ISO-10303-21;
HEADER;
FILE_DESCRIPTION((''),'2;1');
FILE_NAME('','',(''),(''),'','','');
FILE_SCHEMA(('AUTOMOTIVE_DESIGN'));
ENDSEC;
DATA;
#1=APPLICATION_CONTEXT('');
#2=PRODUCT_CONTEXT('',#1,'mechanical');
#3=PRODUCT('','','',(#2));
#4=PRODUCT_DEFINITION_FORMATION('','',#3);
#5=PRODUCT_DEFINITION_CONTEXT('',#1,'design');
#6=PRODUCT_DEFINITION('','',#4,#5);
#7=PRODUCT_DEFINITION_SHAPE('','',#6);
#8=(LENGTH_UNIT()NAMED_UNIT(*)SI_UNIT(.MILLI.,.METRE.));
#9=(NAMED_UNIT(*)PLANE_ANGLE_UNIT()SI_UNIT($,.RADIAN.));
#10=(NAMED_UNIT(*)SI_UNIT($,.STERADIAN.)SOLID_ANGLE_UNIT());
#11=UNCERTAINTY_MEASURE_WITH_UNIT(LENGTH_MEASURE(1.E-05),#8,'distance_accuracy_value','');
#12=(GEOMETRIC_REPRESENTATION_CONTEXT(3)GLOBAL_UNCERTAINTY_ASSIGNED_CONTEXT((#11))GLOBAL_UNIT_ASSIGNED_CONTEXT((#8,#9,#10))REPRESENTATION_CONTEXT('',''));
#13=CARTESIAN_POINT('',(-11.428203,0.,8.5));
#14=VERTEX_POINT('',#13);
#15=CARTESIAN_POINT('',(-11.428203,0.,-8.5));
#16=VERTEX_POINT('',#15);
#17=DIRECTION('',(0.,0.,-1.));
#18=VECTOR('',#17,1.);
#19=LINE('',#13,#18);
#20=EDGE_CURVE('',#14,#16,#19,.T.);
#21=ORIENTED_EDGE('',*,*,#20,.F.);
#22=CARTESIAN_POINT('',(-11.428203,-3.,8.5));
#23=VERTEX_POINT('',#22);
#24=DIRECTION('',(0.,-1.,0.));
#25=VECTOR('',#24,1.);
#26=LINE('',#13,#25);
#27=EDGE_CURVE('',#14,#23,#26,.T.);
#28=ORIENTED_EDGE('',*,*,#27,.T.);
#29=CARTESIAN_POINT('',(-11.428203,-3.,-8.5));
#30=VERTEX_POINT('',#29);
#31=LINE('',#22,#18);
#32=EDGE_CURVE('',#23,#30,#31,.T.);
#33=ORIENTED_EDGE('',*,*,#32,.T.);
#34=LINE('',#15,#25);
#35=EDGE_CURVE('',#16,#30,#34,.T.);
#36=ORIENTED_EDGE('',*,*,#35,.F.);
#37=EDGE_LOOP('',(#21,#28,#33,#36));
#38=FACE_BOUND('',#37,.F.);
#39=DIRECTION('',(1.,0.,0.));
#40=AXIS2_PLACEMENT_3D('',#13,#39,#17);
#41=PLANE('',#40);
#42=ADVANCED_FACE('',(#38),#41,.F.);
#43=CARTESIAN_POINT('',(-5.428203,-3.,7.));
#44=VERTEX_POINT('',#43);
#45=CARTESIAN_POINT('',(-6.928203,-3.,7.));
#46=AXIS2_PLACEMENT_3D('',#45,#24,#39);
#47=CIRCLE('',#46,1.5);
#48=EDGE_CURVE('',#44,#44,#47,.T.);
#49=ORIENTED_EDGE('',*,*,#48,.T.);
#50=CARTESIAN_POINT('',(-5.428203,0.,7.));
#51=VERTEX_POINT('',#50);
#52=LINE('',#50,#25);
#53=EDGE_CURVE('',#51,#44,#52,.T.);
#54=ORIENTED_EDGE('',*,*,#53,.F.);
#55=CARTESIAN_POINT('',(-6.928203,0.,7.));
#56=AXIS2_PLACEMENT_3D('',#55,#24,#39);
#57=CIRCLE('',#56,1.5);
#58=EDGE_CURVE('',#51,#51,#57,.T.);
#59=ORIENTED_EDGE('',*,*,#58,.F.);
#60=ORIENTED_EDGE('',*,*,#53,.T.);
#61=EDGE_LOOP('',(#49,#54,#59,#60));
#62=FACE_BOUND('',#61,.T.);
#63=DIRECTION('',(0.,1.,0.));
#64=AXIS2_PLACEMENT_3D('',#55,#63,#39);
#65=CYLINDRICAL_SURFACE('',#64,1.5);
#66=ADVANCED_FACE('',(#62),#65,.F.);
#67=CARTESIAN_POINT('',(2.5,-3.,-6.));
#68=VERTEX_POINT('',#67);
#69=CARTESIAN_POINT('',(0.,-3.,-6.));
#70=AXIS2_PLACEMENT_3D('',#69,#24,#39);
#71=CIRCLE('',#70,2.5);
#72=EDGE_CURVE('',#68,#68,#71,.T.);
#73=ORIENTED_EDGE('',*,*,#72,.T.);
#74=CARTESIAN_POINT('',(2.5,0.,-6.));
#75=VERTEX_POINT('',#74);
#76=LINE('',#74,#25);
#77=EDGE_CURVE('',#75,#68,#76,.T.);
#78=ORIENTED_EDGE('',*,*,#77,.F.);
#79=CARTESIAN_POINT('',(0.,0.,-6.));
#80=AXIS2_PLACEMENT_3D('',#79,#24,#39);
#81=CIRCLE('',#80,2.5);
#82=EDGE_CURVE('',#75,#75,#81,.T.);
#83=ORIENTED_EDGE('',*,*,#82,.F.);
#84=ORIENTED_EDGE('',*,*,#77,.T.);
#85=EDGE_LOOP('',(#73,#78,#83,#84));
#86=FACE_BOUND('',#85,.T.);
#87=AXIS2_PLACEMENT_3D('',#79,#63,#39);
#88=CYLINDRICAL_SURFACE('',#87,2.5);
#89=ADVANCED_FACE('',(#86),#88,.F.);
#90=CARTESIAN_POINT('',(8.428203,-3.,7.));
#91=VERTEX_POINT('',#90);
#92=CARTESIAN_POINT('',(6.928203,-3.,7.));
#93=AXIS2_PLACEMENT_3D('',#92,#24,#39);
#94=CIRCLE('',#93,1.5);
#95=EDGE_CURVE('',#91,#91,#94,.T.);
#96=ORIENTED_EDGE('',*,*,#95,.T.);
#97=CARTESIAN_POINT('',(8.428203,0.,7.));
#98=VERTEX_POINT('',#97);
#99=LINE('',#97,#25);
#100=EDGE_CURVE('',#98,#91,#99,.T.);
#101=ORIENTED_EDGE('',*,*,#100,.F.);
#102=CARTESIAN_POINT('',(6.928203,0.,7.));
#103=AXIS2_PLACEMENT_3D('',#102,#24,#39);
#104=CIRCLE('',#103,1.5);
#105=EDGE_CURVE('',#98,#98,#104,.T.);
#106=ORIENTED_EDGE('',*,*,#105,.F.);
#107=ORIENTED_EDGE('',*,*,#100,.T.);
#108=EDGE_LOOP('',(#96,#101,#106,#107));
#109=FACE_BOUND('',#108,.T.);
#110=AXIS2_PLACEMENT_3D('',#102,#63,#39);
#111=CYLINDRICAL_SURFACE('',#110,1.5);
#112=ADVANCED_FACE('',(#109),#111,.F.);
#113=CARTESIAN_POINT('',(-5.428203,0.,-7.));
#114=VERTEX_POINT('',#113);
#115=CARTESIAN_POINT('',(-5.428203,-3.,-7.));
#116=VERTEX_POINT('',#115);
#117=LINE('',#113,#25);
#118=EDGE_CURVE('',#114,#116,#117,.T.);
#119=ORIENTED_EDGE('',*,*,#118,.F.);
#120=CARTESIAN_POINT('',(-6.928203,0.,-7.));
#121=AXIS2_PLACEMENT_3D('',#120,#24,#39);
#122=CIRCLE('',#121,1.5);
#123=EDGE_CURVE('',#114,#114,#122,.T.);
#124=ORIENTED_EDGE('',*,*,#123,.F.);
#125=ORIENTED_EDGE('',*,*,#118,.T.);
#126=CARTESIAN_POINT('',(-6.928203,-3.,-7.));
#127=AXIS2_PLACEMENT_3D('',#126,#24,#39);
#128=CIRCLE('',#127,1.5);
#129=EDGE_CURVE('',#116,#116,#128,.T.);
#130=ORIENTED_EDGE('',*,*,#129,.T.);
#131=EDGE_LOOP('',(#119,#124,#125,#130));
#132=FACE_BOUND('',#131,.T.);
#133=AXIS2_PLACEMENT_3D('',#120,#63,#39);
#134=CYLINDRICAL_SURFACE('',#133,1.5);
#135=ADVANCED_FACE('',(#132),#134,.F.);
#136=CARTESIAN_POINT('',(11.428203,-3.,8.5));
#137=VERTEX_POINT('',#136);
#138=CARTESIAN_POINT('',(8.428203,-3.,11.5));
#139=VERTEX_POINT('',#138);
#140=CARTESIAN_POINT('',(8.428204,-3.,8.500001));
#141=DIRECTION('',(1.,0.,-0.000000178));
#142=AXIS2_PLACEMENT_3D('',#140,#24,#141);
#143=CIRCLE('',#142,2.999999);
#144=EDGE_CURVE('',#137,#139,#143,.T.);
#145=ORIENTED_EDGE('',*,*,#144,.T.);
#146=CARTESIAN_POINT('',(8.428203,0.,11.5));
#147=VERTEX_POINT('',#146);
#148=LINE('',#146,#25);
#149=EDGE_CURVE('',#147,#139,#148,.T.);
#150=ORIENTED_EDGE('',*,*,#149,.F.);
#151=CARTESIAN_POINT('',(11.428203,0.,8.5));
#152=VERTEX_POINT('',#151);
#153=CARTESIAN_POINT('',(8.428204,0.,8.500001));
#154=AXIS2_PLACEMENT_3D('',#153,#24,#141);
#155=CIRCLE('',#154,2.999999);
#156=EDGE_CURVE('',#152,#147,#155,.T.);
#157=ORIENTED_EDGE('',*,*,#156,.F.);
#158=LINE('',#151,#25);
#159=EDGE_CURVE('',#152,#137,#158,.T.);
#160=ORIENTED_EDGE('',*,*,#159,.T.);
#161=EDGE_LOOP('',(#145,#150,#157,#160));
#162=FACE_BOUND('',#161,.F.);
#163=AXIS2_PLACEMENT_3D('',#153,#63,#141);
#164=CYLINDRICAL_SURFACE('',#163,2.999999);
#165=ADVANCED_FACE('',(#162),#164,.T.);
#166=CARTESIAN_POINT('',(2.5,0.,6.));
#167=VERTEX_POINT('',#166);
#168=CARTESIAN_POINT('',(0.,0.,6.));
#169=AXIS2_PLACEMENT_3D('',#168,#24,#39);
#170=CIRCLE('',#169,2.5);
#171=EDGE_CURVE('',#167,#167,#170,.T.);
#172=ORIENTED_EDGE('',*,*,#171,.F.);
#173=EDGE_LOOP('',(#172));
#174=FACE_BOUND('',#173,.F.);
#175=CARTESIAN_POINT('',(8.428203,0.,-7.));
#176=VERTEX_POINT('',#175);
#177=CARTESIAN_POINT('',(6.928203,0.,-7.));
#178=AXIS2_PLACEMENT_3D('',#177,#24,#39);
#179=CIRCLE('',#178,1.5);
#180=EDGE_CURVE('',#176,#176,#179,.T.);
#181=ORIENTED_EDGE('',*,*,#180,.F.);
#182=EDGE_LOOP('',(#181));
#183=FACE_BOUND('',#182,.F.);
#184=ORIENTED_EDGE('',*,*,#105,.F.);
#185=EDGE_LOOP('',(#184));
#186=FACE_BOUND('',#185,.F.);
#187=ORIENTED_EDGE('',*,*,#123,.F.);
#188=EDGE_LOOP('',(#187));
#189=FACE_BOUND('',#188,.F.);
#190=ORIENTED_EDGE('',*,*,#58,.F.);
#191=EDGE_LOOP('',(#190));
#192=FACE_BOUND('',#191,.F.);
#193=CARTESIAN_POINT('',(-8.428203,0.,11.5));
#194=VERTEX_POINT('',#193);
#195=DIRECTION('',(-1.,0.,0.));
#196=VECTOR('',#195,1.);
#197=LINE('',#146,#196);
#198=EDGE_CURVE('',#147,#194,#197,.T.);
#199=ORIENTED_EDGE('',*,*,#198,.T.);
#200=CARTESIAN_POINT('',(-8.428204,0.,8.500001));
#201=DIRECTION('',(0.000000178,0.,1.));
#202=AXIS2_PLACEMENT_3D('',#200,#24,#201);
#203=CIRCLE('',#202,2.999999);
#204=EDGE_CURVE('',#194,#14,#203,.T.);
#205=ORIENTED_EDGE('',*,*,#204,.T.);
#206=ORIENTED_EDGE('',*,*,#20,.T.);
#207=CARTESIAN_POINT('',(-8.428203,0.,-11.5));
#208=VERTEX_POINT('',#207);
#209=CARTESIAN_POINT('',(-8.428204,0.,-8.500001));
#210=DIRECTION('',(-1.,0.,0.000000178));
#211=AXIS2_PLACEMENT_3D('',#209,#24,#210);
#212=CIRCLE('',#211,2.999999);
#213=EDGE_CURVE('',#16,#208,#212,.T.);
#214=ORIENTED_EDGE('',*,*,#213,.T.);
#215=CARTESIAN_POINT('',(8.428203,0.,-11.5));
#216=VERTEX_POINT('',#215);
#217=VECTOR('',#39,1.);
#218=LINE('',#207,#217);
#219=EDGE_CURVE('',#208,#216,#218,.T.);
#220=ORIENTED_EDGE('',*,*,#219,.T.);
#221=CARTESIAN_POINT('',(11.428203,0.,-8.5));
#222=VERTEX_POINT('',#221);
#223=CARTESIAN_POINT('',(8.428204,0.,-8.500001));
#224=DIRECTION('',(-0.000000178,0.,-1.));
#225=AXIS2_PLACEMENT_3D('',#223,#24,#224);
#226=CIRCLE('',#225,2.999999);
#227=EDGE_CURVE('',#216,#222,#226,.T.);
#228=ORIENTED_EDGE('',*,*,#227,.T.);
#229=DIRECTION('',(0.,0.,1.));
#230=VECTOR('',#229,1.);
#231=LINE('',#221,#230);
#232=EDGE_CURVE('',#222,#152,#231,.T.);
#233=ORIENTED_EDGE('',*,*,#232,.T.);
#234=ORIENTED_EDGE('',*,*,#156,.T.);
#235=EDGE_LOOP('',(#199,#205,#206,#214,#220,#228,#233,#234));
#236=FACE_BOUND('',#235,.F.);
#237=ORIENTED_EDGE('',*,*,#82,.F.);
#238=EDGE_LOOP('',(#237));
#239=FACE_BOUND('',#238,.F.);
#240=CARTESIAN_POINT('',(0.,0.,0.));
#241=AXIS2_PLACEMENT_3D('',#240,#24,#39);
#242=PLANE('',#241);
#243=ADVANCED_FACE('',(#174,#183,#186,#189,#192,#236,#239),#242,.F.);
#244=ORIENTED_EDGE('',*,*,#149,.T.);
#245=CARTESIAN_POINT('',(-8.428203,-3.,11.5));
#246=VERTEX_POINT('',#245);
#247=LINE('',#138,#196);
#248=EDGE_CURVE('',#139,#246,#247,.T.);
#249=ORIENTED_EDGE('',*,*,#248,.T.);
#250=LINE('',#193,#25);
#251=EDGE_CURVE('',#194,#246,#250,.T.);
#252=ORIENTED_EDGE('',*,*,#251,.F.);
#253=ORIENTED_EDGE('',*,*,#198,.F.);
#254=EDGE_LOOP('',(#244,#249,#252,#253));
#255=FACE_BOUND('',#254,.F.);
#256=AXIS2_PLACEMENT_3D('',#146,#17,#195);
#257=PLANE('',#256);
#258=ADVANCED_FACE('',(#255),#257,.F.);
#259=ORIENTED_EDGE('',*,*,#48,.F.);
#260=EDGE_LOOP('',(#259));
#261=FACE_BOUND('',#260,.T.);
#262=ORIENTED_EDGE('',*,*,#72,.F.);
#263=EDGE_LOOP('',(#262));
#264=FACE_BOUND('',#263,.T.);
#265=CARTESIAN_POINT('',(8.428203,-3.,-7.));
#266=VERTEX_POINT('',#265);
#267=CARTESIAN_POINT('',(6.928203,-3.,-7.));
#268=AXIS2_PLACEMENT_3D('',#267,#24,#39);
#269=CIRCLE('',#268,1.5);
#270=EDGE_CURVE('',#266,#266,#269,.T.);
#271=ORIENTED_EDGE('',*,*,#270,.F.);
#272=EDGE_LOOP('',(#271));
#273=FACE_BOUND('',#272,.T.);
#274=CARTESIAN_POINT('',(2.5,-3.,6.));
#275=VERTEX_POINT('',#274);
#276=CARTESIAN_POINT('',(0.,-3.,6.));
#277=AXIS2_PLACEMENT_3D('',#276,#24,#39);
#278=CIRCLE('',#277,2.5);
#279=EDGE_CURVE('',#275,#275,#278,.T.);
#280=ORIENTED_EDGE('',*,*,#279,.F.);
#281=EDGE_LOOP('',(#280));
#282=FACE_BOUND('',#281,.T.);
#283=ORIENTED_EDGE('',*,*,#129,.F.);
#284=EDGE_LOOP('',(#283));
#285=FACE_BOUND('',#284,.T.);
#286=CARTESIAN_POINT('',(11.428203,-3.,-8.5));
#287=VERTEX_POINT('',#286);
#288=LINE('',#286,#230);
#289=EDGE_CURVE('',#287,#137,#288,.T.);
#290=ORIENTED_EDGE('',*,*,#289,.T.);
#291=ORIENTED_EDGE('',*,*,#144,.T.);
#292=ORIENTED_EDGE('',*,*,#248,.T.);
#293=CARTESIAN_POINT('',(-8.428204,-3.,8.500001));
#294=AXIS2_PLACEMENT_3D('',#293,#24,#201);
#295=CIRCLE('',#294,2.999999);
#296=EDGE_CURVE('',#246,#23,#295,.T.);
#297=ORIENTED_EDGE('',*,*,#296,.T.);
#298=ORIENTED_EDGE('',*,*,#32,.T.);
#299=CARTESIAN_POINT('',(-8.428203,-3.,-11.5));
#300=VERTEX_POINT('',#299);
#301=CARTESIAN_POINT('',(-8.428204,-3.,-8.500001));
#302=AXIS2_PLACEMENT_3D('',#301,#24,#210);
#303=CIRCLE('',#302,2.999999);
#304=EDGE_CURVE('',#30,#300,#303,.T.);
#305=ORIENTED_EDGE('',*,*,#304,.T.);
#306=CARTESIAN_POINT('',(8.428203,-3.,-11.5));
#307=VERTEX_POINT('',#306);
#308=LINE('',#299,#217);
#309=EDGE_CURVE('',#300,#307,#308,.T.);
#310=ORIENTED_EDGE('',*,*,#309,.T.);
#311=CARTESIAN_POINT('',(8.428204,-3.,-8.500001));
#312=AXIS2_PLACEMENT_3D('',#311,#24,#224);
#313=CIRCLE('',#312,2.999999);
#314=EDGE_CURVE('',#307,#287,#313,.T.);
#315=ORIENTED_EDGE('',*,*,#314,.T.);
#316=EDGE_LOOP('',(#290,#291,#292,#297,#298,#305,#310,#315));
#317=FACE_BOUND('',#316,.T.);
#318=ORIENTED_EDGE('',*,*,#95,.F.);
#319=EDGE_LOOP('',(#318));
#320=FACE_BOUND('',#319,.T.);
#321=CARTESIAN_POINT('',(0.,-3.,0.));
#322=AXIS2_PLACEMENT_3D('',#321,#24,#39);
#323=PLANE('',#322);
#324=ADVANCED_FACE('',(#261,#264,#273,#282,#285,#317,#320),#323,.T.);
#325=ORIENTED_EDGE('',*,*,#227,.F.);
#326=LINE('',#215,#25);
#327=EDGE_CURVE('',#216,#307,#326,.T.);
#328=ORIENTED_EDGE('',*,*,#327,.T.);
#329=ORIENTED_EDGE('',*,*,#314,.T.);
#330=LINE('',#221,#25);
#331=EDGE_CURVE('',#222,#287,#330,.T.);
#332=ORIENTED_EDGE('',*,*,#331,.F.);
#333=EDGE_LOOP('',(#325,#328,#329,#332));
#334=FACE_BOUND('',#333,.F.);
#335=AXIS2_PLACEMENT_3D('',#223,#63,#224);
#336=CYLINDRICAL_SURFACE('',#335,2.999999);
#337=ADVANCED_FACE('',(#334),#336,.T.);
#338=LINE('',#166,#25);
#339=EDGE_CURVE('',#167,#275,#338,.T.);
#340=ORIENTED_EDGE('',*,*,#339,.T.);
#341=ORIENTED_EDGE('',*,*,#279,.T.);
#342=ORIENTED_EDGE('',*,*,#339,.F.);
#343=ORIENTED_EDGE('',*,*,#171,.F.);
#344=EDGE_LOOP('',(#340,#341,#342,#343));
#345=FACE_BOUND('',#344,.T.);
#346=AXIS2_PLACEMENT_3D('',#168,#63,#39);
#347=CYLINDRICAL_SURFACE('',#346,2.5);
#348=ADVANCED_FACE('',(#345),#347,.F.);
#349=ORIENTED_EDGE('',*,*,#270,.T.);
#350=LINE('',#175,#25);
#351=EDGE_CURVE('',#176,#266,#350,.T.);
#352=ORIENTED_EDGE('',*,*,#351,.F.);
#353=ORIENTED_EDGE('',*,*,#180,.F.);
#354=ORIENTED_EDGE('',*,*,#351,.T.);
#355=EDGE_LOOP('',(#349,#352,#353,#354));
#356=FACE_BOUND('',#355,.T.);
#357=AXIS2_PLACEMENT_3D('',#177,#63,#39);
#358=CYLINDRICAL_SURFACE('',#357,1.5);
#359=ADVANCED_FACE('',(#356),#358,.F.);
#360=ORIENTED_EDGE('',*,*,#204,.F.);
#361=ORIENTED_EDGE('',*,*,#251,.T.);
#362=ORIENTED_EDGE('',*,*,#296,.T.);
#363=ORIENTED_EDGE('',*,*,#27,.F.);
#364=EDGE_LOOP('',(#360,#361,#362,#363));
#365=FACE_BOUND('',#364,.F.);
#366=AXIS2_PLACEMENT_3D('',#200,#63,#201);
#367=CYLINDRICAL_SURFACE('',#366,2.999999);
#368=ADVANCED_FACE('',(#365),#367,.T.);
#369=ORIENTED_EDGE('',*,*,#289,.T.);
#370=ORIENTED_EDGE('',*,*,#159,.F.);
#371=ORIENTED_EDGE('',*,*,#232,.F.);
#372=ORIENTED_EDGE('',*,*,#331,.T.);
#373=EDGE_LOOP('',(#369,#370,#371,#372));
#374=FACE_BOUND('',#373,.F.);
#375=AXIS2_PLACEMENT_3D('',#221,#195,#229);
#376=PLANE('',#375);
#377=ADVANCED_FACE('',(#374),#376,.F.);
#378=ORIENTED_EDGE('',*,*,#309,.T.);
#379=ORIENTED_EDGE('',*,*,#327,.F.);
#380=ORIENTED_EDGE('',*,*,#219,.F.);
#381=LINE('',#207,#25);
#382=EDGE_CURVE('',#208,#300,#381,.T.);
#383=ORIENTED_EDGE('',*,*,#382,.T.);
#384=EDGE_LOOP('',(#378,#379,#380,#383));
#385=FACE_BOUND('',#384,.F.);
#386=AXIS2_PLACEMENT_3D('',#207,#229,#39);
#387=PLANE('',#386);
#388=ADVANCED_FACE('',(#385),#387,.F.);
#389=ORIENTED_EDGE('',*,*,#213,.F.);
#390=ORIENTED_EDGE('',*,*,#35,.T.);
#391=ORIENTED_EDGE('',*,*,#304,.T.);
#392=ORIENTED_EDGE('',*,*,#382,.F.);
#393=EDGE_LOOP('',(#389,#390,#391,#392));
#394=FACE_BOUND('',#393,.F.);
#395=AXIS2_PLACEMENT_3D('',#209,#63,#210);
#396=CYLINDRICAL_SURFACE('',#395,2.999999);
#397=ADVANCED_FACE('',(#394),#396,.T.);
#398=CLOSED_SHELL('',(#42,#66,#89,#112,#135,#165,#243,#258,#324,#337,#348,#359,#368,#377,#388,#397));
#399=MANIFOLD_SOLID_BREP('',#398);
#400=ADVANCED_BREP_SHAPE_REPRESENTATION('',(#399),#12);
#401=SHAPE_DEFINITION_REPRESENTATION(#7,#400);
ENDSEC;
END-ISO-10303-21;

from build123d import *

# Parameters (mm, degrees)
F0_R     = 1.5
F0_R_2   = 2.5
F1_DEPTH = 3


with BuildPart() as f1:
    # F0 (on Front) → F1 (new body)
    with BuildSketch(Plane.XZ):
        with BuildLine():
            ThreePointArc((-11.428203, -8.5), (-10.549524, -10.62132), (-8.428203, -11.5))
            Line((-8.428203, -11.5), (8.428203, -11.5))
            ThreePointArc((8.428203, -11.5), (10.549524, -10.62132), (11.428203, -8.5))
            Line((11.428203, -8.5), (11.428203, 8.5))
            ThreePointArc((11.428203, 8.5), (10.549524, 10.62132), (8.428203, 11.5))
            Line((8.428203, 11.5), (-8.428203, 11.5))
            ThreePointArc((-8.428203, 11.5), (-10.549524, 10.62132), (-11.428203, 8.5))
            Line((-11.428203, 8.5), (-11.428203, -8.5))
        make_face()
        with Locations((-6.928203, -7)):
            Circle(F0_R, mode=Mode.SUBTRACT)
        with Locations((0, -6)):
            Circle(F0_R_2, mode=Mode.SUBTRACT)
        with Locations((6.928203, -7)):
            Circle(F0_R, mode=Mode.SUBTRACT)
        with Locations((-6.928203, 7)):
            Circle(F0_R, mode=Mode.SUBTRACT)
        with Locations((0, 6)):
            Circle(F0_R_2, mode=Mode.SUBTRACT)
        with Locations((6.928203, 7)):
            Circle(F0_R, mode=Mode.SUBTRACT)
    extrude(amount=F1_DEPTH)


solid = f1.part
